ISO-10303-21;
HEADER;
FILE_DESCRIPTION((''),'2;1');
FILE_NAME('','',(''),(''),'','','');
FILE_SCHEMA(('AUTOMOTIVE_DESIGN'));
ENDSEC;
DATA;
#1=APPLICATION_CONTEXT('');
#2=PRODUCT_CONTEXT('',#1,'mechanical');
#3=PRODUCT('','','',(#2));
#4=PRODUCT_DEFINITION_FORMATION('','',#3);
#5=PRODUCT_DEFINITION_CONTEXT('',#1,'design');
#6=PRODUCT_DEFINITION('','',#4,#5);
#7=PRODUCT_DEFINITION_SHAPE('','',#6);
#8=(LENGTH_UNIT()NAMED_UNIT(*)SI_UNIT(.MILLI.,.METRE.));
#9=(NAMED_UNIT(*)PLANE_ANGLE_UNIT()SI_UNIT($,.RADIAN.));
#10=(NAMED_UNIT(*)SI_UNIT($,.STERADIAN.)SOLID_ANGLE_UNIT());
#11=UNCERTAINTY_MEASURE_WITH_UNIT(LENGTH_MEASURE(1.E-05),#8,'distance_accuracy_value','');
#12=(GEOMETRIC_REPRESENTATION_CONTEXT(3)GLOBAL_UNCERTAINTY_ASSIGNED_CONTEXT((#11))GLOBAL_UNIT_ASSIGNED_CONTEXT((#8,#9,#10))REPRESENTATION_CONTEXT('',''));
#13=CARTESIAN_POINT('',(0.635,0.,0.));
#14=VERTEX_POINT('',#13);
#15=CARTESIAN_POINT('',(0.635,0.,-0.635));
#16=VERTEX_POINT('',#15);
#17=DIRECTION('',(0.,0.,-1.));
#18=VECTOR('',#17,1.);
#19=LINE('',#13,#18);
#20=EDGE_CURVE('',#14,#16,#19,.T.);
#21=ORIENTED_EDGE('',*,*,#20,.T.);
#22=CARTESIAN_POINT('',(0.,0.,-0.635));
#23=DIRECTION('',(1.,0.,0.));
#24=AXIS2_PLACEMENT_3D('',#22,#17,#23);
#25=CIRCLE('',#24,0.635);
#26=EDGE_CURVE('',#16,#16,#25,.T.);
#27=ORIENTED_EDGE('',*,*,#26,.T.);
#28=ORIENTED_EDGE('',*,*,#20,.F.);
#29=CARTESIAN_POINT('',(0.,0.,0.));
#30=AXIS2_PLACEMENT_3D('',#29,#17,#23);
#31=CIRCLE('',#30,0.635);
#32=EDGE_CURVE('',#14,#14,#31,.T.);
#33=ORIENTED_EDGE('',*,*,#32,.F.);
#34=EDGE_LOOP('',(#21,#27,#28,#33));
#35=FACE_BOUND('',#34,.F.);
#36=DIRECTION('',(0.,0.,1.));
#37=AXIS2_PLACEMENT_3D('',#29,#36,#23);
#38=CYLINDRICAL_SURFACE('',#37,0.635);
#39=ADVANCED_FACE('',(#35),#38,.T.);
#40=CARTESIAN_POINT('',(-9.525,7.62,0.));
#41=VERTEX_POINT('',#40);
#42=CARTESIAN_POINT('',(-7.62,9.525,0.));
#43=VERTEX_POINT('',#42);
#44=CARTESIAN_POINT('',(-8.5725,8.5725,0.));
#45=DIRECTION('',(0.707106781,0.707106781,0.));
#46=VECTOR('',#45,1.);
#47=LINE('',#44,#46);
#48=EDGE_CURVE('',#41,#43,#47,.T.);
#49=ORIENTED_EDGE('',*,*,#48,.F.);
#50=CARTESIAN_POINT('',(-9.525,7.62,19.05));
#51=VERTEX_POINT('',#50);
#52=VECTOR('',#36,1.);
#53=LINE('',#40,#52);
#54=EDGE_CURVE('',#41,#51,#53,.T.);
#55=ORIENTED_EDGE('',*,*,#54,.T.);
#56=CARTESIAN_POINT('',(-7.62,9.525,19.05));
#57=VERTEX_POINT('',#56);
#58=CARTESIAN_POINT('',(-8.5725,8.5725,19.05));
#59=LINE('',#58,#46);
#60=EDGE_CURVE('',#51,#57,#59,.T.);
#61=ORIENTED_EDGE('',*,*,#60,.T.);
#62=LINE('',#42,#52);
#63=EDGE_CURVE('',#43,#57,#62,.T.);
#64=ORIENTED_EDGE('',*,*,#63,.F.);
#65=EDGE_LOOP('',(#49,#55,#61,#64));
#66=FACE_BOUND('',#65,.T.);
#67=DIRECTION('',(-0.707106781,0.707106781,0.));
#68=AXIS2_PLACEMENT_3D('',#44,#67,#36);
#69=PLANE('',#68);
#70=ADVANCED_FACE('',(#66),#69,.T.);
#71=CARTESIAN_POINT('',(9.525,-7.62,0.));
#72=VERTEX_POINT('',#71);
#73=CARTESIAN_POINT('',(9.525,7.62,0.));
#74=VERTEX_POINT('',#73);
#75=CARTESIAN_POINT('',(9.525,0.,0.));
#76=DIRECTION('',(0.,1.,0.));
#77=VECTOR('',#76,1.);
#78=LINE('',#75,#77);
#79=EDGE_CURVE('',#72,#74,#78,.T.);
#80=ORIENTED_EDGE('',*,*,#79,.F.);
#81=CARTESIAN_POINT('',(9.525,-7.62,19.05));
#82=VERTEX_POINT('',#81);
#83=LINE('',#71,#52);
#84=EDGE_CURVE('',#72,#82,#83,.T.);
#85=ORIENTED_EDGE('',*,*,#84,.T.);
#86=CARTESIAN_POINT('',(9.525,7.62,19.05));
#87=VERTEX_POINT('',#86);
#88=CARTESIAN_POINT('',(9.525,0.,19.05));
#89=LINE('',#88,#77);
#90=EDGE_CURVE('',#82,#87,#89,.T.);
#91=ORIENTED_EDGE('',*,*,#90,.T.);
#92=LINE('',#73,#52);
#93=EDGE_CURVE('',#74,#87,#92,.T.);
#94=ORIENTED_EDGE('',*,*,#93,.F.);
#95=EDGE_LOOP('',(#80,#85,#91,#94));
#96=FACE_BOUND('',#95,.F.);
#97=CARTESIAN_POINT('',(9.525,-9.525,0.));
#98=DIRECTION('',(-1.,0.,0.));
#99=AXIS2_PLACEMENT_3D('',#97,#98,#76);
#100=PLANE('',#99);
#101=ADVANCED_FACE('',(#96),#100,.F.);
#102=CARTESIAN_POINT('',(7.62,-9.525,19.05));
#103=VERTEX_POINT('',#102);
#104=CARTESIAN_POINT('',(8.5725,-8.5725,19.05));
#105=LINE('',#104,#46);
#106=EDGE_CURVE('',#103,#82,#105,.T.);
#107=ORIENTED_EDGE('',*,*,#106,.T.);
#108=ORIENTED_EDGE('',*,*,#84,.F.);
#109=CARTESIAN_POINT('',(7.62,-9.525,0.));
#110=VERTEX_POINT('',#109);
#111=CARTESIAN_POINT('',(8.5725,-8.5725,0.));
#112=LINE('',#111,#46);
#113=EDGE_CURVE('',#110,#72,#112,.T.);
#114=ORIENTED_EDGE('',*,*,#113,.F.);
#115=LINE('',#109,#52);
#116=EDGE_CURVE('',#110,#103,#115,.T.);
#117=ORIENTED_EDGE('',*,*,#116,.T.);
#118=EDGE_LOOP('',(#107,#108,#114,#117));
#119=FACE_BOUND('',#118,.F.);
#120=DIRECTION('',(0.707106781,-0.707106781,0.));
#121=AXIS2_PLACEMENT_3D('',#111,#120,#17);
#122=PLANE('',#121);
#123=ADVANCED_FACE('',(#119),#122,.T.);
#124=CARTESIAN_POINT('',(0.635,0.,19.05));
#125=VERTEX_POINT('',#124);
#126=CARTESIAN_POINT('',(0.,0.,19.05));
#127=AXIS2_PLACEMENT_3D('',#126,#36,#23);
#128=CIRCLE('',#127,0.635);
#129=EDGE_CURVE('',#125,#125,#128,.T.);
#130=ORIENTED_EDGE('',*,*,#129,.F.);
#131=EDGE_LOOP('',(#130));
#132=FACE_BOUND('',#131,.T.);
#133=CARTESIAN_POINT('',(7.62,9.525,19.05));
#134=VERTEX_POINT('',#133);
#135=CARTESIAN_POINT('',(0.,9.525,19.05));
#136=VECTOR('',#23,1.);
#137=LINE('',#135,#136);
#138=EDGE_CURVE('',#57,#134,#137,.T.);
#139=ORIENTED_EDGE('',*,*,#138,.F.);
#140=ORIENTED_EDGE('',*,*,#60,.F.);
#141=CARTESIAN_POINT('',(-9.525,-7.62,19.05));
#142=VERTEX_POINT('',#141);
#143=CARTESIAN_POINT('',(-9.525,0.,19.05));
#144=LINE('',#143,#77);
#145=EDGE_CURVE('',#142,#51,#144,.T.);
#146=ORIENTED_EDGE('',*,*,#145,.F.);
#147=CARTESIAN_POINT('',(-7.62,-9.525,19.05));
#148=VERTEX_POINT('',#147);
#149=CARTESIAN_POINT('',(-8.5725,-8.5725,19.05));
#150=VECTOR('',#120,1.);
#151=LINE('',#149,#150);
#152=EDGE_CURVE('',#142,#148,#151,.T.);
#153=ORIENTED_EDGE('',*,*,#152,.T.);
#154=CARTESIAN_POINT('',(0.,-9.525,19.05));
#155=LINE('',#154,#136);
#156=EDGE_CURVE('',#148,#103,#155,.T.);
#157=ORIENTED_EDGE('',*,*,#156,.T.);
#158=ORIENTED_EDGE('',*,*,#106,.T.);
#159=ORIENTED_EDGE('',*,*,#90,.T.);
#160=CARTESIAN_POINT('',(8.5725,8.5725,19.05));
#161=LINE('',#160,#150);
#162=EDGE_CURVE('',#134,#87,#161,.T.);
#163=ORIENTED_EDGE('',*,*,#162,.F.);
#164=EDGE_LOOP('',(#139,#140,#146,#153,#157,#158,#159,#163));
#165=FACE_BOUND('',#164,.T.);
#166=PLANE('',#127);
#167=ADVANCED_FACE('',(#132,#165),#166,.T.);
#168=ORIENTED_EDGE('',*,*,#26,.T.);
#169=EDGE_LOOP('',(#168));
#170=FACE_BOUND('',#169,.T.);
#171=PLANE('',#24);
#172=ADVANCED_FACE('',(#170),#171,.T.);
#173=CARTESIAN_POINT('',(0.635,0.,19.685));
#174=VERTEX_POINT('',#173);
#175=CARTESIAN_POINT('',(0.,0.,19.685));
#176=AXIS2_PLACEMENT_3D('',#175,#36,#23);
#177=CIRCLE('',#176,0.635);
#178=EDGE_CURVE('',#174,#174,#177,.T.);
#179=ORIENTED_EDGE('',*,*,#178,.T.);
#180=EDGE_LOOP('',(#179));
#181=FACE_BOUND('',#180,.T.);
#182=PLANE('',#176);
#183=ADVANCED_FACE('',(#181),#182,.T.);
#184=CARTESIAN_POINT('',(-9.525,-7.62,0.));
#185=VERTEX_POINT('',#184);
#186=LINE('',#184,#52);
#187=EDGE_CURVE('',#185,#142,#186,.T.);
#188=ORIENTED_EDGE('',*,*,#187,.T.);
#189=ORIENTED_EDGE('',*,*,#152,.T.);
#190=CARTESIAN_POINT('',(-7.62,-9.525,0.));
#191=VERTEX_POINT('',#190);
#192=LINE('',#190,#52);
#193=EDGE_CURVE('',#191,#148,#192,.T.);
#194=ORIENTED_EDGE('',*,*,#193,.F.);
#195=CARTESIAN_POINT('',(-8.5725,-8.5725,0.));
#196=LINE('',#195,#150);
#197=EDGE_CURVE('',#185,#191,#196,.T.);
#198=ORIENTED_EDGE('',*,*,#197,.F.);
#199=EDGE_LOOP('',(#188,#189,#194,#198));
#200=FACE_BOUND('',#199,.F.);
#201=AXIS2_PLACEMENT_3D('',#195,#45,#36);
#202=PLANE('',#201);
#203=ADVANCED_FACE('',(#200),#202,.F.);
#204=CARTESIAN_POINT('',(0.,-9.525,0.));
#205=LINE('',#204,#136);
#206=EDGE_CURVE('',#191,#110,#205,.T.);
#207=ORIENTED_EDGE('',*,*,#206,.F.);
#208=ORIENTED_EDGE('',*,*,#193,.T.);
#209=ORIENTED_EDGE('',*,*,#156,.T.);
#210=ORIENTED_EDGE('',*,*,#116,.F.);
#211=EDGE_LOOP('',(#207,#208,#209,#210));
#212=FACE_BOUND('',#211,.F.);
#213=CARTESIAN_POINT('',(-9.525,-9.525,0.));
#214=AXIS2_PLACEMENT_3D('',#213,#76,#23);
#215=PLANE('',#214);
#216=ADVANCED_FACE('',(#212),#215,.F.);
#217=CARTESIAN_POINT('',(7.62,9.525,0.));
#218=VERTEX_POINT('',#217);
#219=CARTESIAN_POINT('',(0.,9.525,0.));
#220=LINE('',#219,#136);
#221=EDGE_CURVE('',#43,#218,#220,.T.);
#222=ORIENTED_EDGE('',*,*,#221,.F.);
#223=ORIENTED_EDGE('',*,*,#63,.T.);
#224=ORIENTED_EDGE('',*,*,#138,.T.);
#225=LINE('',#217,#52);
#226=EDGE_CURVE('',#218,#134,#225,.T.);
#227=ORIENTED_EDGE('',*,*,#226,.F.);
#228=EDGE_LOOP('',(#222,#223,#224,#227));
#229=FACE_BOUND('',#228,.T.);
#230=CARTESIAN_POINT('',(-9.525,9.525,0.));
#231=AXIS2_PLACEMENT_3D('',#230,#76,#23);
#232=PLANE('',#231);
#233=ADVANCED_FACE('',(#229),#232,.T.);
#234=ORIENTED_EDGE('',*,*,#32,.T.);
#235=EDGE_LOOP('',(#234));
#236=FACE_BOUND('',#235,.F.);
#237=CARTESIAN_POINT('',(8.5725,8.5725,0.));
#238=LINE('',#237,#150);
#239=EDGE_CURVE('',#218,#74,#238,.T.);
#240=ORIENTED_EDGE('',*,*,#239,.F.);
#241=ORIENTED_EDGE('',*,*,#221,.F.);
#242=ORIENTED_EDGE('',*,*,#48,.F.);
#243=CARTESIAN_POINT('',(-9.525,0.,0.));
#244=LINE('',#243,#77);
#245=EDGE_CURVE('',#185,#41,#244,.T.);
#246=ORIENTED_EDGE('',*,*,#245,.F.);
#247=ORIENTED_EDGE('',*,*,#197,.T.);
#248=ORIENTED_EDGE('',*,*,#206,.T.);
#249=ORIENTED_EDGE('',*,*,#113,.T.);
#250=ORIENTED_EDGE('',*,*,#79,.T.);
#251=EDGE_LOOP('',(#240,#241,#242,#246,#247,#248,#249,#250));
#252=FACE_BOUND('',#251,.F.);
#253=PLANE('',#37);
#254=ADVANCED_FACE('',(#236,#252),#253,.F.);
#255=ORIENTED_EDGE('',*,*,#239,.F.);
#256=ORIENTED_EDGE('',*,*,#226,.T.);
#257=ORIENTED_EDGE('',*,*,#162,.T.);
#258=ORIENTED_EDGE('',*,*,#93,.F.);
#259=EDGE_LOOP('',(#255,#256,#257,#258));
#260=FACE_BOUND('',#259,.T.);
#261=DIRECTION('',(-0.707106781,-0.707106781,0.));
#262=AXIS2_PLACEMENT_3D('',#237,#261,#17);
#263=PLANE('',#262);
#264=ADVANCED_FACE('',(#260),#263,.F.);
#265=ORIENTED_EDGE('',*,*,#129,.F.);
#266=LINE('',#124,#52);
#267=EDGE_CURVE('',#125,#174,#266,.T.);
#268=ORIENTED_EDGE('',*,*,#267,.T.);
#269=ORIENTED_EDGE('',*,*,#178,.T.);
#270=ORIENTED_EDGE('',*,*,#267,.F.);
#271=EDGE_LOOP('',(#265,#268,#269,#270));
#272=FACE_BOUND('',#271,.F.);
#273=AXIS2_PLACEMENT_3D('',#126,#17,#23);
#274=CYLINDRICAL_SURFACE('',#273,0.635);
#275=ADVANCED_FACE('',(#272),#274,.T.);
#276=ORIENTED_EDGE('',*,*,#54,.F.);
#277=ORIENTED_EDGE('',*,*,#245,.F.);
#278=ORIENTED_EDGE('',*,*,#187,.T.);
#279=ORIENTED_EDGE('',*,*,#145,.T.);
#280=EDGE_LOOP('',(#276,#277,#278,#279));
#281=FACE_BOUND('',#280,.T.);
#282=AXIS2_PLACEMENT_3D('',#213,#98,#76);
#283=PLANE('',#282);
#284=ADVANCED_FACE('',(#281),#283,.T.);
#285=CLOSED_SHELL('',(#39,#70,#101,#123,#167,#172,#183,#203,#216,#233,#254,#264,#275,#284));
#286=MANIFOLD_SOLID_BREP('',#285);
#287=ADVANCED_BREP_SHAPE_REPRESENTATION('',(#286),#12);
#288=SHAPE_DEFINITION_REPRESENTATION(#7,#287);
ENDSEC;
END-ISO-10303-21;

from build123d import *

# Parameters (mm, degrees)
F0_W     = 19.05
F0_H     = 19.05
F1_DEPTH = 19.05
F2_R     = 0.635
F3_DEPTH = 0.635
F4_R     = 0.635
F5_DEPTH = 0.635
F6_SIZE  = 1.905


with BuildPart() as f1:
    # F0 (on Top) → F1 (new body)
    with BuildSketch(Plane.XY):
        Rectangle(F0_W, F0_H)
    extrude(amount=F1_DEPTH)

    # F2 (on face) → F3 (join)
    with BuildSketch(Plane.XY.offset(19.05)):
        Circle(F2_R)
    extrude(amount=F3_DEPTH)

    # F4 (on face) → F5 (join)
    with BuildSketch(Plane(origin=(0, 0, 0), x_dir=(1, 0, 0), z_dir=(0, 0, -1))):
        Circle(F4_R)
    extrude(amount=F5_DEPTH)

    # F6
    f6_edges = [f1.edges().sort_by_distance(p)[0] for p in [
        (-9.525, -9.525, 9.525),
        (9.525, -9.525, 9.525),
        (9.525, 9.525, 9.525),
        (-9.525, 9.525, 9.525),
    ]]
    chamfer(f6_edges, length=F6_SIZE)


solid = f1.part
